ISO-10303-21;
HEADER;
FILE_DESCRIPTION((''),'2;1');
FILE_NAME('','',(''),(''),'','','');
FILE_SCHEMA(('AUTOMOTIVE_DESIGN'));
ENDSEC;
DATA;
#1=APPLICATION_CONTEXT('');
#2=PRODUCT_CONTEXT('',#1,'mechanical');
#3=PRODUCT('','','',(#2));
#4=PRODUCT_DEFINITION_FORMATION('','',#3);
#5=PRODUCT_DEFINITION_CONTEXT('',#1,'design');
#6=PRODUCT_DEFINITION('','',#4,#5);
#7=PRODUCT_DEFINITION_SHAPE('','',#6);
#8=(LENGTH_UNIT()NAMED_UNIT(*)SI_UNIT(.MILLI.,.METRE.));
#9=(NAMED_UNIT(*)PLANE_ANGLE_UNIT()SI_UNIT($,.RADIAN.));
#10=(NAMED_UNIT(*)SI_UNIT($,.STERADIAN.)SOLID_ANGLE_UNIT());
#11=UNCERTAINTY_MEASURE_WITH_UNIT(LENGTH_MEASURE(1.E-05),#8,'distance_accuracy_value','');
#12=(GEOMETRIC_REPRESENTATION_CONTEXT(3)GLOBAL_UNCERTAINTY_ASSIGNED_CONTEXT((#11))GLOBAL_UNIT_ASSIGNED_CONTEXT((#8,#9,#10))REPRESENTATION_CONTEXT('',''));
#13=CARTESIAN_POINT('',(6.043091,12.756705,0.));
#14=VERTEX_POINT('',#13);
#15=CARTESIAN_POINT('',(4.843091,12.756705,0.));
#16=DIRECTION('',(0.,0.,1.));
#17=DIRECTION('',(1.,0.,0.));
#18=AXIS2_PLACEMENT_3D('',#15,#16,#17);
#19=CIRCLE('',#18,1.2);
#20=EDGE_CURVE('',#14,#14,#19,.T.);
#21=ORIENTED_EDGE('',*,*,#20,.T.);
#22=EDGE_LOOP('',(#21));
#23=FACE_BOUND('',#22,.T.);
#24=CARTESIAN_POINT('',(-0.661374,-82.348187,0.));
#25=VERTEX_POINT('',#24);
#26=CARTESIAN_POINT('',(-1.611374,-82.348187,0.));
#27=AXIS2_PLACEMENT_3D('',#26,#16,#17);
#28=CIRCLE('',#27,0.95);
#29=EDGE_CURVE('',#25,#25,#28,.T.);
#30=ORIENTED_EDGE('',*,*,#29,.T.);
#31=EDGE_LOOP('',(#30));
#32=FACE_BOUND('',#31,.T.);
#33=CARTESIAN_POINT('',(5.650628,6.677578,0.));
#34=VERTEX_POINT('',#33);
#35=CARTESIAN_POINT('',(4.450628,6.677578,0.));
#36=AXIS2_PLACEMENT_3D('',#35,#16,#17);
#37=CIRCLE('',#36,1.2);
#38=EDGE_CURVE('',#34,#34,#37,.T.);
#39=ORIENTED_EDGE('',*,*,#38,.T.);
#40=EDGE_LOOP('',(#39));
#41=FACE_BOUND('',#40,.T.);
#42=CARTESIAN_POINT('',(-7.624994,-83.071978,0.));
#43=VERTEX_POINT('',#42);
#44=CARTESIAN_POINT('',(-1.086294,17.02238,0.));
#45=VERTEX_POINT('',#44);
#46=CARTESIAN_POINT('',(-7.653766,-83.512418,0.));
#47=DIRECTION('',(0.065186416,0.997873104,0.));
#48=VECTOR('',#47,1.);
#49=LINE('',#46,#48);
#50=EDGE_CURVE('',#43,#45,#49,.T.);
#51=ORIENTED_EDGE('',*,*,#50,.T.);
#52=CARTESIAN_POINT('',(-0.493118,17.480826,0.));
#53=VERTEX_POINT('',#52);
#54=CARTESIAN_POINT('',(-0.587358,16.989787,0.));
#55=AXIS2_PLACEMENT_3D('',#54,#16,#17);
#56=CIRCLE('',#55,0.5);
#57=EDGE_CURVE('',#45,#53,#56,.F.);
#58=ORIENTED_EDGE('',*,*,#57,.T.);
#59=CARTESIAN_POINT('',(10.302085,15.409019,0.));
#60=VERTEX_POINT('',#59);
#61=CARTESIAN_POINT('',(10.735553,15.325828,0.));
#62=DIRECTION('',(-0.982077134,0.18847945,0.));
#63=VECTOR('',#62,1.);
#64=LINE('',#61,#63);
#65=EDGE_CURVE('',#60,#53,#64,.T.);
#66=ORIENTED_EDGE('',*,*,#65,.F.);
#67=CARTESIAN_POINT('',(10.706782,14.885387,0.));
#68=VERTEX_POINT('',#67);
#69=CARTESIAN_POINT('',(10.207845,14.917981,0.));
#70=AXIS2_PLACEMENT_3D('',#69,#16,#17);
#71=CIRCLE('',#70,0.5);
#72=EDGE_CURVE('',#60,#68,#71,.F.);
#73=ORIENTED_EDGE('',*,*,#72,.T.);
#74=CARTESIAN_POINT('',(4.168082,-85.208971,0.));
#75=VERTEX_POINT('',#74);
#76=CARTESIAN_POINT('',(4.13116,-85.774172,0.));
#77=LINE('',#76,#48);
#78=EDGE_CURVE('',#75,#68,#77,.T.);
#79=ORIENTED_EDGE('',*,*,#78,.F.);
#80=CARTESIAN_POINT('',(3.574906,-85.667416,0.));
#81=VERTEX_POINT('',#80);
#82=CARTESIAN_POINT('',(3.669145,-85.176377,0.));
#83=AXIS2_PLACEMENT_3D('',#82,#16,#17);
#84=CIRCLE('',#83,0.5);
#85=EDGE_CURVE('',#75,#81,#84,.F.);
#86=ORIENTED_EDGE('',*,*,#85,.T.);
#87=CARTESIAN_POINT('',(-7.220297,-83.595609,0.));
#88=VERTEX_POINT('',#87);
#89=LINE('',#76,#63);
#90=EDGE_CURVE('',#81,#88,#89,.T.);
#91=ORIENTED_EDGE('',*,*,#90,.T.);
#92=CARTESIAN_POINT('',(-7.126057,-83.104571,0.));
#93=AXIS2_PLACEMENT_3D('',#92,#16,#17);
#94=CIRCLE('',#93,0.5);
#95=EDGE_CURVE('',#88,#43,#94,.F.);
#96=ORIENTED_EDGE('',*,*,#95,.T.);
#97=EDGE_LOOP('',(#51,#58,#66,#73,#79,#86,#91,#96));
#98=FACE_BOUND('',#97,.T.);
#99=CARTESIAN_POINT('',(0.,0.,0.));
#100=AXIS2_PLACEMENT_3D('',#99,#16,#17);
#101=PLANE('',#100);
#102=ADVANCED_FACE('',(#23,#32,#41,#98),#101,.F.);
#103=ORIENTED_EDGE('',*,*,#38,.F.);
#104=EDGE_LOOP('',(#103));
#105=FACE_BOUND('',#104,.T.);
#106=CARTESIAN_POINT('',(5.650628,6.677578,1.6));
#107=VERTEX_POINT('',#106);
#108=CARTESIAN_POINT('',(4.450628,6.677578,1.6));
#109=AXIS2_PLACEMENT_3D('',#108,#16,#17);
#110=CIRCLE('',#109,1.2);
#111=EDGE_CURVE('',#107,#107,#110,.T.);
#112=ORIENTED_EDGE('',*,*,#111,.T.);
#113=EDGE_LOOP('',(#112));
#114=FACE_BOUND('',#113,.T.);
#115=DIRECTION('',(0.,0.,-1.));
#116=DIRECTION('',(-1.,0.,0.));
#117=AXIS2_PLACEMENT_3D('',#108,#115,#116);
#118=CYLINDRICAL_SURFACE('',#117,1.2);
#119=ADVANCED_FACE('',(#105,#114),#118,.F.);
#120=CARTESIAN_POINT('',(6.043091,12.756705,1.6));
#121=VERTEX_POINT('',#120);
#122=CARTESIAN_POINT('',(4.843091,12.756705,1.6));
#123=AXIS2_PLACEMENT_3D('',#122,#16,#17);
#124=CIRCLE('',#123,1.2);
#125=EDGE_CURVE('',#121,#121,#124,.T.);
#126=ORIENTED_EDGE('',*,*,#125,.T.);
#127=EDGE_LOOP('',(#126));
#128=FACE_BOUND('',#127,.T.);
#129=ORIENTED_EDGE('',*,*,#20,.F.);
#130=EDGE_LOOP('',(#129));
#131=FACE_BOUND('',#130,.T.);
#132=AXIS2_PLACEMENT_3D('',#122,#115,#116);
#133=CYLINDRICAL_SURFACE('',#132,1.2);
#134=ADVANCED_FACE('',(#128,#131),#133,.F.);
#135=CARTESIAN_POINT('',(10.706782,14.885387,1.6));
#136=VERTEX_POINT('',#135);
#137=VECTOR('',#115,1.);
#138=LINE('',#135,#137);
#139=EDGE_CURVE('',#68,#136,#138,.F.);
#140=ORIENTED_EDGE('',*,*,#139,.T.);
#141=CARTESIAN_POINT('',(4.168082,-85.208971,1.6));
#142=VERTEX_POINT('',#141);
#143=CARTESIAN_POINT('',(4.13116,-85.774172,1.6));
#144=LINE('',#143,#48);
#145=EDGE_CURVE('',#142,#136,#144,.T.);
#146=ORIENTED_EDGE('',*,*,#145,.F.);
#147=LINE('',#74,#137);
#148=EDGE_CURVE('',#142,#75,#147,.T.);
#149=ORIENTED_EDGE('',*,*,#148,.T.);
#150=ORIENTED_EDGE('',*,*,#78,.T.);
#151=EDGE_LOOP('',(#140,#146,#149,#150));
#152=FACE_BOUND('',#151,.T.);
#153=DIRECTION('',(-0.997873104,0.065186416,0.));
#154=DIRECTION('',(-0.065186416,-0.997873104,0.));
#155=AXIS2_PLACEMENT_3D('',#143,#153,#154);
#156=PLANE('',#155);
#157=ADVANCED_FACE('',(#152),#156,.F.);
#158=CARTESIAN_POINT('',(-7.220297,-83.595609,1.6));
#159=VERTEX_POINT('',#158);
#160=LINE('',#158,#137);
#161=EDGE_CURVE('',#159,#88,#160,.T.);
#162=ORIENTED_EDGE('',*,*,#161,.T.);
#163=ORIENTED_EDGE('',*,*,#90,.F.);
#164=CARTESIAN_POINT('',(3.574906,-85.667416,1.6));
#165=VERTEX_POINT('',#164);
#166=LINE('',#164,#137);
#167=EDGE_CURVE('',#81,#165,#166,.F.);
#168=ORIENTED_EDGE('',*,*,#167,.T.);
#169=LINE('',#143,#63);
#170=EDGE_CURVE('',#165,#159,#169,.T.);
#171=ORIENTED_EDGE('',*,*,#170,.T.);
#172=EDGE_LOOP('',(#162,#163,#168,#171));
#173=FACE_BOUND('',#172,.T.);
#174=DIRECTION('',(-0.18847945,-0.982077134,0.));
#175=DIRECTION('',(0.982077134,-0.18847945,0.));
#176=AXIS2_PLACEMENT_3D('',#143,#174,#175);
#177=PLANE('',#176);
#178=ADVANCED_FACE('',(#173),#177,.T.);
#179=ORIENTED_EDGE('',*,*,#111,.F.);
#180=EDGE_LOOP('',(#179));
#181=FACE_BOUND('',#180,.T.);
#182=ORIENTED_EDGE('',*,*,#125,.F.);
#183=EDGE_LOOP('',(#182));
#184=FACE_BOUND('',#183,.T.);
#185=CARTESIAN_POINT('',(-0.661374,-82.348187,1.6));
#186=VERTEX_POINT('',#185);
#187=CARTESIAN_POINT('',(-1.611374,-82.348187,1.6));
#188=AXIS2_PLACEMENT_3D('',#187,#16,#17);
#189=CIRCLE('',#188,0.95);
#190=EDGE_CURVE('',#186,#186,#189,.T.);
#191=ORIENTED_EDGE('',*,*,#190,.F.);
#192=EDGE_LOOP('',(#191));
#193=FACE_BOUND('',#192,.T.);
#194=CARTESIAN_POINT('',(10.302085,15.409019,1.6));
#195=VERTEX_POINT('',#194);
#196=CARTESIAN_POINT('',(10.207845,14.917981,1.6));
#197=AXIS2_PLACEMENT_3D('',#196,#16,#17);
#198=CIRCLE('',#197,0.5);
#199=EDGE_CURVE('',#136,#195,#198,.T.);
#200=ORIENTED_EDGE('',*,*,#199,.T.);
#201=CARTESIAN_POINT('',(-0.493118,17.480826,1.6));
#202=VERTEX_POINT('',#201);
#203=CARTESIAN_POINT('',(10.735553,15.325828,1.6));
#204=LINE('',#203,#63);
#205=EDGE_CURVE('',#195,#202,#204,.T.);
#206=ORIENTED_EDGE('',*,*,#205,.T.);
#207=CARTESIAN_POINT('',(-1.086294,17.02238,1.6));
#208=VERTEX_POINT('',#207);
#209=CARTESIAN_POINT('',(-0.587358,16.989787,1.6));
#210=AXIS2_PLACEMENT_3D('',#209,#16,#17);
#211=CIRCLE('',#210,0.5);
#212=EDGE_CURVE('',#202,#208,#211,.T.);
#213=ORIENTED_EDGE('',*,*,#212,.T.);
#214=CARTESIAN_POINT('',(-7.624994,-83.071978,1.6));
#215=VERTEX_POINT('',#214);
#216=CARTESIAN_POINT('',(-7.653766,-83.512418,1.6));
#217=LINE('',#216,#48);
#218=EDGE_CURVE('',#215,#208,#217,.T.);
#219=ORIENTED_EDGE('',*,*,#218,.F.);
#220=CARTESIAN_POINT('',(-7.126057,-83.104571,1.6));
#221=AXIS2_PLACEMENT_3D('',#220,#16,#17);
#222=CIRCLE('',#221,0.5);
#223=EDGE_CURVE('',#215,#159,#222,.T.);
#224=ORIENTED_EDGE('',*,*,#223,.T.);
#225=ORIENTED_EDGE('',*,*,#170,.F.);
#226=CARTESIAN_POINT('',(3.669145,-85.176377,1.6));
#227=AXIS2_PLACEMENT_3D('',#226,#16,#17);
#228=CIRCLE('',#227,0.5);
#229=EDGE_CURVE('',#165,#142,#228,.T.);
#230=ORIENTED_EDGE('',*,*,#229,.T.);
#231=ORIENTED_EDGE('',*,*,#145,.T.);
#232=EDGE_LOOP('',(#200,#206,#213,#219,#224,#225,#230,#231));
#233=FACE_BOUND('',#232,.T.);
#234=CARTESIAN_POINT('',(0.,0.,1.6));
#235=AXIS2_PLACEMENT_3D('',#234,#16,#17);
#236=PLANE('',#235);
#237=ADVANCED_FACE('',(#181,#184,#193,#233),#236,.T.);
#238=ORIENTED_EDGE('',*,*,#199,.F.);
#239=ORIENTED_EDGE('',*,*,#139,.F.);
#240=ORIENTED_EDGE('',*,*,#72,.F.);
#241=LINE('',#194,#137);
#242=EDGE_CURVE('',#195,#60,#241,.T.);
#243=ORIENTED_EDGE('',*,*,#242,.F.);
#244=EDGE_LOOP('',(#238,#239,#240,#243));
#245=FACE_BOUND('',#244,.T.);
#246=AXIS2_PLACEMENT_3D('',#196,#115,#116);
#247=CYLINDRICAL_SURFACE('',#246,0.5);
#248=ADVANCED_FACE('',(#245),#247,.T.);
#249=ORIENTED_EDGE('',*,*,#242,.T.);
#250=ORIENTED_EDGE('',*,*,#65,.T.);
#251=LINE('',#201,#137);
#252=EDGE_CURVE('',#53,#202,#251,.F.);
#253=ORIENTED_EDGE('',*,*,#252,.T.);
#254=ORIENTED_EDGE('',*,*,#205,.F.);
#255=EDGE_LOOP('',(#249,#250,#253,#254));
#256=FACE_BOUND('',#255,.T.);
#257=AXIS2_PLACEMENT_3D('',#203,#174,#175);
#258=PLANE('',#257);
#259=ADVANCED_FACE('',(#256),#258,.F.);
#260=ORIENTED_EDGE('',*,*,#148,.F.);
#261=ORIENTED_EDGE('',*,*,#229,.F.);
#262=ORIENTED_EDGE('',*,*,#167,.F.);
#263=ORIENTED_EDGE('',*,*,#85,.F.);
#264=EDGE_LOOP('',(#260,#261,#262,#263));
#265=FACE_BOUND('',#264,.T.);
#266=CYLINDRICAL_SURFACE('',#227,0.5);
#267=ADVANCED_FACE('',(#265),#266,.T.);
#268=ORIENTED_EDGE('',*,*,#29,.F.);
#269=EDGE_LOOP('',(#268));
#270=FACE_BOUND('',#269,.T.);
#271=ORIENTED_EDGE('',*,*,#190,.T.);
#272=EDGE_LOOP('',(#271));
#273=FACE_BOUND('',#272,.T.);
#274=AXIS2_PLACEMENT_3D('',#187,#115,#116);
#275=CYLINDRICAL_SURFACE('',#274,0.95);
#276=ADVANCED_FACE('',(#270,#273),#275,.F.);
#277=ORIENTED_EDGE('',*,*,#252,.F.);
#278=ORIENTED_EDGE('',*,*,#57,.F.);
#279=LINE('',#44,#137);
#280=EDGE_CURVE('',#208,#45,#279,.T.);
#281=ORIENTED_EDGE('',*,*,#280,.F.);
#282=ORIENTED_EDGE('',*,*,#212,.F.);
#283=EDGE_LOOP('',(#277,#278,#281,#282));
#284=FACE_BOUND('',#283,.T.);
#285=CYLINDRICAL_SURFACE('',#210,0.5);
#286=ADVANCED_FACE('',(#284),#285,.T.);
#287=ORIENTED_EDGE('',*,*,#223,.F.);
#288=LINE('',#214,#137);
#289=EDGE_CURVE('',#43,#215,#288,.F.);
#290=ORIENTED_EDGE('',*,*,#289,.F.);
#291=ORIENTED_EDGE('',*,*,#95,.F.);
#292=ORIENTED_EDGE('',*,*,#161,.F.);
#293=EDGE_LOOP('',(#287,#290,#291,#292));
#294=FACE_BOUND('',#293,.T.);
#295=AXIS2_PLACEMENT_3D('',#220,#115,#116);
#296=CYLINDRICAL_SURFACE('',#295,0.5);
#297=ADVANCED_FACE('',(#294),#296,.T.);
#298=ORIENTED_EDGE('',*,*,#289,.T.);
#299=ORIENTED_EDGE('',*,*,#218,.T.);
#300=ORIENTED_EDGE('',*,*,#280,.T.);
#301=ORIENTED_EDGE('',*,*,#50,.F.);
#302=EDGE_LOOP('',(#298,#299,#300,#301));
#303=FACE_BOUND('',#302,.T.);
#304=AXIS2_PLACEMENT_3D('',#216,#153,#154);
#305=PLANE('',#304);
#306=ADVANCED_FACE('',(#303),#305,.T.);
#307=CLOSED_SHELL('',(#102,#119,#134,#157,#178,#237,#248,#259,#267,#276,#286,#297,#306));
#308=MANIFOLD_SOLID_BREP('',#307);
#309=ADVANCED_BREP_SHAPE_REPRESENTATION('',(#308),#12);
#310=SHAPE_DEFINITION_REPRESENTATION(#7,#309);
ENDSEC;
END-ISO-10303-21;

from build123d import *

# Parameters (mm, degrees)
CROQUIS3_R              = 1.2
CROQUIS3_R_2            = 0.95
SALIENTE_EXTRUIR4_DEPTH = 1.6
REDONDEO4_R             = 0.5
REDONDEO5_R             = 0.5


with BuildPart() as part:
    # Croquis3 → Saliente-Extruir4 (new body)
    with BuildSketch(Plane.XY):
        Polygon((4.131159953, -85.774171861), (10.73555349, 15.325828139), (-1.049372117, 17.587581538), (-7.653765654, -83.512418462), align=None)
        with Locations((4.843090686, 12.756704839)):
            Circle(CROQUIS3_R, mode=Mode.SUBTRACT)
        with Locations((4.450627883, 6.677578183)):
            Circle(CROQUIS3_R, mode=Mode.SUBTRACT)
        with Locations((-1.611374093, -82.348187023)):
            Circle(CROQUIS3_R_2, mode=Mode.SUBTRACT)
    extrude(amount=SALIENTE_EXTRUIR4_DEPTH)

    # Redondeo4
    redondeo4_edges = [part.edges().sort_by_distance(p)[0] for p in [
        (10.73555349, 15.325828139, 0.8),
    ]]
    fillet(redondeo4_edges, radius=REDONDEO4_R)

    # Redondeo5
    redondeo5_edges = [part.edges().sort_by_distance(p)[0] for p in [
        (4.131159953, -85.774171861, 0.8),
        (-7.653765654, -83.512418462, 0.8),
        (-1.049372117, 17.587581538, 0.8),
    ]]
    fillet(redondeo5_edges, radius=REDONDEO5_R)


solid = part.part
